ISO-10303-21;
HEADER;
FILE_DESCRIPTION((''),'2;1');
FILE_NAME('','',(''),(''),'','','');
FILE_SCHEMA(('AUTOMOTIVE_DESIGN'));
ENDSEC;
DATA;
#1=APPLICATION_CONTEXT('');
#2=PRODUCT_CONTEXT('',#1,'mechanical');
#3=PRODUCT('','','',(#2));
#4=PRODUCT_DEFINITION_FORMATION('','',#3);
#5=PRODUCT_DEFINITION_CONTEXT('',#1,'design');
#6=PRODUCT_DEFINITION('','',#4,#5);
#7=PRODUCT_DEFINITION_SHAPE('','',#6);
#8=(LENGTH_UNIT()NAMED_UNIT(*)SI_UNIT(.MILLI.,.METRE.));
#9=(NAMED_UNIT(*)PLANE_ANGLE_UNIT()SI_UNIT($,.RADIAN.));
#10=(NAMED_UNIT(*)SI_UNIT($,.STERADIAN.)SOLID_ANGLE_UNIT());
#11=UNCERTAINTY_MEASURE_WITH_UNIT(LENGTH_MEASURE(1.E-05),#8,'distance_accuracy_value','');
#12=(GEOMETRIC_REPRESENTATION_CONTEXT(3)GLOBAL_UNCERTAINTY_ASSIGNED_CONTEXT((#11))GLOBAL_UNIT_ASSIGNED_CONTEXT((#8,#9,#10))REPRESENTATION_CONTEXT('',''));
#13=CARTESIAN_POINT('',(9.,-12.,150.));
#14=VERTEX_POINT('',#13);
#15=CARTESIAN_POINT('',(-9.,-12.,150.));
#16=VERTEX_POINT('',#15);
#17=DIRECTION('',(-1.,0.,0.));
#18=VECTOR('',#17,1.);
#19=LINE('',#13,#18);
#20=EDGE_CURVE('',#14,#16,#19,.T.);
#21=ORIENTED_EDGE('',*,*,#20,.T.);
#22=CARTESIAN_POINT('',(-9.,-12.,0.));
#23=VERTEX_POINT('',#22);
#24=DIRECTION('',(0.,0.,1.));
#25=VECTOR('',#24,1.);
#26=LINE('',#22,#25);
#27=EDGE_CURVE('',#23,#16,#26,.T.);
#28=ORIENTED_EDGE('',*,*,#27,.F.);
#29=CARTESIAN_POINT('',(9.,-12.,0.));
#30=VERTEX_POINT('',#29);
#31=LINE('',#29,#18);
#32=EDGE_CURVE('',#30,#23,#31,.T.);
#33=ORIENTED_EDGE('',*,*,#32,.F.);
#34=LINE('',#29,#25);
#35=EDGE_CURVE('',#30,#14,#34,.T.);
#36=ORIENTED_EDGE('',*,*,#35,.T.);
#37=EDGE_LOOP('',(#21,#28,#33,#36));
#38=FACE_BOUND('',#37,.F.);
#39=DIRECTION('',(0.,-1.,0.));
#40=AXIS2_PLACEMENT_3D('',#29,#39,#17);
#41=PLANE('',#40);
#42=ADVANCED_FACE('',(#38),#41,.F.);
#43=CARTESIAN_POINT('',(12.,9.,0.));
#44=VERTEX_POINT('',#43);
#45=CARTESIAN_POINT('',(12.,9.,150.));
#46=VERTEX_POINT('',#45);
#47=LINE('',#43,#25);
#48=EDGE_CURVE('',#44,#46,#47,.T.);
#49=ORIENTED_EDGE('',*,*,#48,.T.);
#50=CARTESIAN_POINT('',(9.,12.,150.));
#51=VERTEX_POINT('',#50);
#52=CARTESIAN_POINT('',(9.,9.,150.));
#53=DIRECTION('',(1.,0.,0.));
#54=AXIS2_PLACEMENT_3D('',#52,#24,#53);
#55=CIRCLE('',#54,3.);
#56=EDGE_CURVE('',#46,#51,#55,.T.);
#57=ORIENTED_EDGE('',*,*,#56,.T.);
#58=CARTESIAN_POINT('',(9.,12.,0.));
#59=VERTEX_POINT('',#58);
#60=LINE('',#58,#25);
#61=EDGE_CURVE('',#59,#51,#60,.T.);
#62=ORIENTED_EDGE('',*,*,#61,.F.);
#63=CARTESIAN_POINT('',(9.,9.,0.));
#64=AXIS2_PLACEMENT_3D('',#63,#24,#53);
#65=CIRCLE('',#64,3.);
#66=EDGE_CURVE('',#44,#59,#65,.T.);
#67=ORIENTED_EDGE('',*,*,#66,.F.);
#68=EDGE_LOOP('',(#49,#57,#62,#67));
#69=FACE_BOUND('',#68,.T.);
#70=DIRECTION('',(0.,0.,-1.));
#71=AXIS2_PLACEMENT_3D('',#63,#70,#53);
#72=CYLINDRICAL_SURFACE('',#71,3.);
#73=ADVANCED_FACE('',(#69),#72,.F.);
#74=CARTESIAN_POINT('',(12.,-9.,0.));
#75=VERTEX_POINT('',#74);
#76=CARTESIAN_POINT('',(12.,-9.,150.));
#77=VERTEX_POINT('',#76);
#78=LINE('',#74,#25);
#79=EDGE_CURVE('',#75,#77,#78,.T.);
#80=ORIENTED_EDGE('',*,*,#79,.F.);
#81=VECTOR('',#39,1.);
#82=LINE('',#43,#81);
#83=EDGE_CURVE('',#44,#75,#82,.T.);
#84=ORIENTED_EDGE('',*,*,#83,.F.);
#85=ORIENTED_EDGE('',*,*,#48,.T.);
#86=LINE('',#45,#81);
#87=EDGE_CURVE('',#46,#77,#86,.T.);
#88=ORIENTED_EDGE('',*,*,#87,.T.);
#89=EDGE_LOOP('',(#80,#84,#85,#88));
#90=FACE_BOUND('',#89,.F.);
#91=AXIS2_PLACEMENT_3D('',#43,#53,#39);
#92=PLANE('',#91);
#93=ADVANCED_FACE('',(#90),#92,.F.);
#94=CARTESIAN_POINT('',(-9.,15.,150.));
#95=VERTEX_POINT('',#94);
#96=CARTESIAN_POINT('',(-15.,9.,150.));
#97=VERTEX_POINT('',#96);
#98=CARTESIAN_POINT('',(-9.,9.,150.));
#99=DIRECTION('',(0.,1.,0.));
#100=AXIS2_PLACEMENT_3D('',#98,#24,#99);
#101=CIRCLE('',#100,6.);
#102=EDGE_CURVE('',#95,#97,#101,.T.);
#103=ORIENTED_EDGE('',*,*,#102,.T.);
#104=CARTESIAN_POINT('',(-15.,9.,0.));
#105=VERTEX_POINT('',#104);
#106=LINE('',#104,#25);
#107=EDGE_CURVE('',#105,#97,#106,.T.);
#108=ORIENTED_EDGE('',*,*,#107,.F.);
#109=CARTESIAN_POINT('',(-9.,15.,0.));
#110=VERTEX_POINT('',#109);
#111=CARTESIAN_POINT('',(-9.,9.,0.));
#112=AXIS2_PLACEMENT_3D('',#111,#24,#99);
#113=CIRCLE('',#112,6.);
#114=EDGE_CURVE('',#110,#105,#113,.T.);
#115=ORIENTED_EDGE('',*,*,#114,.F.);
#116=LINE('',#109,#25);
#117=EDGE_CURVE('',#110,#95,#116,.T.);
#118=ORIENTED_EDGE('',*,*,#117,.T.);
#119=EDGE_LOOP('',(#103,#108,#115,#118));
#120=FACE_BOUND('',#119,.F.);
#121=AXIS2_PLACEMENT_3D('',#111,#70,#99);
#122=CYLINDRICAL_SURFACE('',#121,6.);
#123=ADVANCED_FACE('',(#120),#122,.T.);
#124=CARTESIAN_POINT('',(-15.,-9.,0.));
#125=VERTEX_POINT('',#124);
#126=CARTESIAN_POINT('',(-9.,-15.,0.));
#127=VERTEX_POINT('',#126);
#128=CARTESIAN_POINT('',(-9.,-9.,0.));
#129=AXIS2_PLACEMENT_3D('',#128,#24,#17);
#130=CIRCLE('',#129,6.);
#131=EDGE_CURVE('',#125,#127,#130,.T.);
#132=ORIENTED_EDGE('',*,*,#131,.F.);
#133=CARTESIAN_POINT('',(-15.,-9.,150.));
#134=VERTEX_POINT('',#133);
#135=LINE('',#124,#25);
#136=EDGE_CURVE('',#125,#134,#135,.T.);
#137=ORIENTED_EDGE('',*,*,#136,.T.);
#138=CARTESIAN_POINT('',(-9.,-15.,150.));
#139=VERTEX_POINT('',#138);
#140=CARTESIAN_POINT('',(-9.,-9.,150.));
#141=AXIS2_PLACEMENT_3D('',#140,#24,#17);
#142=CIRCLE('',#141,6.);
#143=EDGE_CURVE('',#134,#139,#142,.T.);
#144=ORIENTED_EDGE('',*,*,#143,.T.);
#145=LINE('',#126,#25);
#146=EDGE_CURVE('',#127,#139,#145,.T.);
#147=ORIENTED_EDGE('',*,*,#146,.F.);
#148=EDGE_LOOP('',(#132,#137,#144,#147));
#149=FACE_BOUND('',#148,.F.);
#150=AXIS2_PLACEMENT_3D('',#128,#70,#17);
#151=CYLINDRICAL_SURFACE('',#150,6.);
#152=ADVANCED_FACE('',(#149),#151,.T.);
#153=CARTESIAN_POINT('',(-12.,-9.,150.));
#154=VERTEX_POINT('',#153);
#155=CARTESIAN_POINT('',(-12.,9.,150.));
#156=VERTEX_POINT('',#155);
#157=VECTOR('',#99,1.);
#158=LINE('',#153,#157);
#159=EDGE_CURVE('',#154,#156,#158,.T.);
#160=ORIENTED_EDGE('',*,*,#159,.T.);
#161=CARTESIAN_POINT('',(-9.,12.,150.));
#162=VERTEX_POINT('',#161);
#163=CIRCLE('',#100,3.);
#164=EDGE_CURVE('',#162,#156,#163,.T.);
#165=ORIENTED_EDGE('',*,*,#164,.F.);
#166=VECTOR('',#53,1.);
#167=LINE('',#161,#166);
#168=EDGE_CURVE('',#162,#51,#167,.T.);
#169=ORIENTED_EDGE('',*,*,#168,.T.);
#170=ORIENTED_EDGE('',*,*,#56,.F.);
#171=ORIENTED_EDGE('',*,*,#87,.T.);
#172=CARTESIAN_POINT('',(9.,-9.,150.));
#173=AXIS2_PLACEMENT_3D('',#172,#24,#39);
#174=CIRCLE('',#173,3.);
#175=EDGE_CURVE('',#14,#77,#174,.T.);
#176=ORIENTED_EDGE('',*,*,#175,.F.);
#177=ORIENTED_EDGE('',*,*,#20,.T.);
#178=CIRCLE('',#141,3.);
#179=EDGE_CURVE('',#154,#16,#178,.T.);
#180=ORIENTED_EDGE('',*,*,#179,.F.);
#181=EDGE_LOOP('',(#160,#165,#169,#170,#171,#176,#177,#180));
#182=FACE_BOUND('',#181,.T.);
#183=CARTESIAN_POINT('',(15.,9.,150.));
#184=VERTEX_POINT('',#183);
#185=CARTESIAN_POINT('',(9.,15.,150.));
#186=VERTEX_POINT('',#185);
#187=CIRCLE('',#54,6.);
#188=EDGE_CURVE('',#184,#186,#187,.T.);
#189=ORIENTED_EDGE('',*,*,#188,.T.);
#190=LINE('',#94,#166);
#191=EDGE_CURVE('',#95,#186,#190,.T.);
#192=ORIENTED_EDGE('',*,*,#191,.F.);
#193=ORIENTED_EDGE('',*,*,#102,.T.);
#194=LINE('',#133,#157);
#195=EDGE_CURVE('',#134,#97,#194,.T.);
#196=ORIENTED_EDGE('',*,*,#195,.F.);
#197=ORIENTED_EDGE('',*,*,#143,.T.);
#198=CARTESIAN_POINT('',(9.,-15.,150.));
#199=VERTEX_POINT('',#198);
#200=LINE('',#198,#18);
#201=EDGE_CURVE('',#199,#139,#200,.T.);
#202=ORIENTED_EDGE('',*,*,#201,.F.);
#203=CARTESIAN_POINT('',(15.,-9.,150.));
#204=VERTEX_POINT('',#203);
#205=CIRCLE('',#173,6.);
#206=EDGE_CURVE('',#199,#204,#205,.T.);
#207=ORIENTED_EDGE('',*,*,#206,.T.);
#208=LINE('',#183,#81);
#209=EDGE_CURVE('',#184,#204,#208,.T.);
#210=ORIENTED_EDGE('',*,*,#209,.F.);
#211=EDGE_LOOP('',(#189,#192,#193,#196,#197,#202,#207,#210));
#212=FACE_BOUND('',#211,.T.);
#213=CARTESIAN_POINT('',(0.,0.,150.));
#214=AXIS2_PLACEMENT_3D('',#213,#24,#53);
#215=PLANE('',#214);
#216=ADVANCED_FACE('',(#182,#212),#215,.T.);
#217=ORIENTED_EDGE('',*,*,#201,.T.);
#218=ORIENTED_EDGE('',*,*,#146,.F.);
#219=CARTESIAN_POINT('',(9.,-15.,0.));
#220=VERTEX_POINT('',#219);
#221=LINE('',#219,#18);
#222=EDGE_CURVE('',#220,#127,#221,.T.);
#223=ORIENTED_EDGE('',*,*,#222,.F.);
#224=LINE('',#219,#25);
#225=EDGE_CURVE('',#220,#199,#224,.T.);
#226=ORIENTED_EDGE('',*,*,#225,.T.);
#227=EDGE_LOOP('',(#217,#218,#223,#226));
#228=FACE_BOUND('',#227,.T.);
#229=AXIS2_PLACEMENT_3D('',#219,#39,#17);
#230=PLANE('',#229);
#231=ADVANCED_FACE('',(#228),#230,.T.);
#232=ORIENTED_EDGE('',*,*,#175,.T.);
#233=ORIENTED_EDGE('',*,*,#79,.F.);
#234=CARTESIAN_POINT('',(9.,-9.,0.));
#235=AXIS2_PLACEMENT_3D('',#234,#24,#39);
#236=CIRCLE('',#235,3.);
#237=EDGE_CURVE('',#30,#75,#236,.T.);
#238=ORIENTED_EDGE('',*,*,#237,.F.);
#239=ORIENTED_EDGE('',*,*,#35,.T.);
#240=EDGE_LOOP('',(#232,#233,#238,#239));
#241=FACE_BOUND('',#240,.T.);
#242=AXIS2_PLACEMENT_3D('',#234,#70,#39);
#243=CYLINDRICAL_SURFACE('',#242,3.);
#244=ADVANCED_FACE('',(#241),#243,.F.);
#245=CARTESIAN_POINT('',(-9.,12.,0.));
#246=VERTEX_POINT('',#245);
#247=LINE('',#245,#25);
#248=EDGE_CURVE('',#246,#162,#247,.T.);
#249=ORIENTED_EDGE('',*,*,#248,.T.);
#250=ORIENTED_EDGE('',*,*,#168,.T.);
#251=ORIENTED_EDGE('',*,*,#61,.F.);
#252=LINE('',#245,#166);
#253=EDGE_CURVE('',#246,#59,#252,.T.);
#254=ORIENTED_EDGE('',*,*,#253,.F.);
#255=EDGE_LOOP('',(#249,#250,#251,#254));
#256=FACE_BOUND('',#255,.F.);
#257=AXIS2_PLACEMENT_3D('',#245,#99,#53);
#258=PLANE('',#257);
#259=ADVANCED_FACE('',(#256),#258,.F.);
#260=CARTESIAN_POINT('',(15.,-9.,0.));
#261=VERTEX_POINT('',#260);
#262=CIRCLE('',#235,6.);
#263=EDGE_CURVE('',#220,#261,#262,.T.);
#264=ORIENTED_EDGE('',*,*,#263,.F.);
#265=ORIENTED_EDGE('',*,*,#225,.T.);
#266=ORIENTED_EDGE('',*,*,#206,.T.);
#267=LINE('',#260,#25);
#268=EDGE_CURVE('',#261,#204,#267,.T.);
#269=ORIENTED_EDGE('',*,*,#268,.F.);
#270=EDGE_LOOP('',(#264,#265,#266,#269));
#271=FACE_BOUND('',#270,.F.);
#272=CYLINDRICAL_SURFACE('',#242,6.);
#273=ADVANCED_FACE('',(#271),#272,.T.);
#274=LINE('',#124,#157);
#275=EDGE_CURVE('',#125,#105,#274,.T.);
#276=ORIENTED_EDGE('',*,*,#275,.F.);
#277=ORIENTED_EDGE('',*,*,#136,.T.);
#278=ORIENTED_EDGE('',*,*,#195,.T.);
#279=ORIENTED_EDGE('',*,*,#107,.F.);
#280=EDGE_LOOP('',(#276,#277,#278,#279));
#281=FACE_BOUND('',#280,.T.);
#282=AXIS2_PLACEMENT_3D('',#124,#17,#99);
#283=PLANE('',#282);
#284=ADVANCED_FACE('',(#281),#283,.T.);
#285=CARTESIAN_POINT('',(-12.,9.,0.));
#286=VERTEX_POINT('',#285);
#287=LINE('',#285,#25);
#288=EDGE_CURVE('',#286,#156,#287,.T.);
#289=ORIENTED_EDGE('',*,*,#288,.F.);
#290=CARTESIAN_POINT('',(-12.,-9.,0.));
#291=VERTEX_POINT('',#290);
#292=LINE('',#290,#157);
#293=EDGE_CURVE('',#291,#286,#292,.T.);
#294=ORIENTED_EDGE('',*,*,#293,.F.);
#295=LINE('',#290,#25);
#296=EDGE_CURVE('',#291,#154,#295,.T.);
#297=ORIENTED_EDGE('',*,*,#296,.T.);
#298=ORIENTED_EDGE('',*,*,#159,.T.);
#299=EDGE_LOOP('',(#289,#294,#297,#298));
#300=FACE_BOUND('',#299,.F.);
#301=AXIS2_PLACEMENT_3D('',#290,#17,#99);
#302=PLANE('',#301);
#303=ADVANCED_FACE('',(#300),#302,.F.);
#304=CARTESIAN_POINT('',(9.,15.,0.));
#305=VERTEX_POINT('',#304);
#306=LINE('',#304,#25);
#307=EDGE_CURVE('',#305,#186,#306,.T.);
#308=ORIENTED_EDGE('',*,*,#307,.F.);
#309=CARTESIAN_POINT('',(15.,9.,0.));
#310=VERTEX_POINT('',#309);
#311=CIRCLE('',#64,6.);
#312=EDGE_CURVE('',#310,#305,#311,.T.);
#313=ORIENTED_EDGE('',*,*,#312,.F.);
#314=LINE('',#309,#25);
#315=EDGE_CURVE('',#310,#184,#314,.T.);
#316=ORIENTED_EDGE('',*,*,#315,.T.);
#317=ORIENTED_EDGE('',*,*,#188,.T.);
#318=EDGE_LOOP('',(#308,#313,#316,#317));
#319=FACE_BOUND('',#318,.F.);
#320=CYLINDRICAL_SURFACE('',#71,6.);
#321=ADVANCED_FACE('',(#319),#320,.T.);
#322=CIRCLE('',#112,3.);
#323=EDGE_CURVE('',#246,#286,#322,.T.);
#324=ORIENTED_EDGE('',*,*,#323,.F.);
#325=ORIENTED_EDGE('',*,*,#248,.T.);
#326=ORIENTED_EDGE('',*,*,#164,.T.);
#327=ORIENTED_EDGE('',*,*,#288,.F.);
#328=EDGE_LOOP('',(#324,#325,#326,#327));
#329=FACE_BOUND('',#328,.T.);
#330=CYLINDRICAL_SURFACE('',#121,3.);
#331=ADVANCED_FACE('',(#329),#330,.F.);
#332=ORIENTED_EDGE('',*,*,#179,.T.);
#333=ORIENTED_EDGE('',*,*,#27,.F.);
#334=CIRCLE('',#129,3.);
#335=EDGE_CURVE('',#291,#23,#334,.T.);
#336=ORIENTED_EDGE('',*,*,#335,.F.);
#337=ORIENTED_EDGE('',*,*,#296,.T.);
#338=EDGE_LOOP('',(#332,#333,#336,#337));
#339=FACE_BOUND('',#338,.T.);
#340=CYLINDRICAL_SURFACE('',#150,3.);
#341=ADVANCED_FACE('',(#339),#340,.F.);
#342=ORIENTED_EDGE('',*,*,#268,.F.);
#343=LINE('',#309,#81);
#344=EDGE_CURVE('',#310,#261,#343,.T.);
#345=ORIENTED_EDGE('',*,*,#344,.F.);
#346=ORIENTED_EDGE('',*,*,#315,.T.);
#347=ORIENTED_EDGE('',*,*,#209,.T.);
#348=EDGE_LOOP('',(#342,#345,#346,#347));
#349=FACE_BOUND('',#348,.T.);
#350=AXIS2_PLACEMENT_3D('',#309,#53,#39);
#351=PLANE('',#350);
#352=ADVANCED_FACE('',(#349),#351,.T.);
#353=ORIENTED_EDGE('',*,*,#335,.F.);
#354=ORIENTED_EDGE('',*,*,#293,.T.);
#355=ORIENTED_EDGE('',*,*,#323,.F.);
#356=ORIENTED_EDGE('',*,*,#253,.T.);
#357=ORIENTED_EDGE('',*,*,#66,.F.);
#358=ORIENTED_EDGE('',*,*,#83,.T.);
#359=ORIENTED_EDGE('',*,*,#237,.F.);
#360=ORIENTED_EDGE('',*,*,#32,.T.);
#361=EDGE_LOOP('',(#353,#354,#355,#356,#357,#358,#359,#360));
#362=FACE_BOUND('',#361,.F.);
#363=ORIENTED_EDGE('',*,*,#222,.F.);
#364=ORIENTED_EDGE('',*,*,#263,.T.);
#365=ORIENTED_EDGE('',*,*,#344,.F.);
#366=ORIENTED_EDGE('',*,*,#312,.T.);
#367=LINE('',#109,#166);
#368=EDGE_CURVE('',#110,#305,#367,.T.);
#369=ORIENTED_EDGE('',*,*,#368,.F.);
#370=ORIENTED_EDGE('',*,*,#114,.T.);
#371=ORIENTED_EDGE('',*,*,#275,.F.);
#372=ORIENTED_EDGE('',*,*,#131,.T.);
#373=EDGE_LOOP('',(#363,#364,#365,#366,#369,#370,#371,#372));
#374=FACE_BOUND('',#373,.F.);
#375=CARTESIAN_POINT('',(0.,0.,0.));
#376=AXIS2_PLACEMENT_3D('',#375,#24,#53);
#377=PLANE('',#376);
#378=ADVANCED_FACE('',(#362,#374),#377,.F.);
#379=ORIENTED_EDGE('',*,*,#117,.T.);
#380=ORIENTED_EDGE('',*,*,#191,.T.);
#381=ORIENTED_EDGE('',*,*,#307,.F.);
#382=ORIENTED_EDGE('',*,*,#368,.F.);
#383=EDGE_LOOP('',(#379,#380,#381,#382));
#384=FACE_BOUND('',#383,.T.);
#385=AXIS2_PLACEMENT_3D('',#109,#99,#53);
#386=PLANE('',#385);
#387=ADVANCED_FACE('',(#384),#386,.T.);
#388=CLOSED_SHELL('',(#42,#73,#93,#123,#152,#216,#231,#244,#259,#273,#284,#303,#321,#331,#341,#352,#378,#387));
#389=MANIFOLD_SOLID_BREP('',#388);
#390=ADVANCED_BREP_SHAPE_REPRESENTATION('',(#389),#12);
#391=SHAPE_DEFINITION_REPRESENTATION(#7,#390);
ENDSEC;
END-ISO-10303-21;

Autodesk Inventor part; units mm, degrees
ref_plane "YZ Plane" through (0, 0, 0) normal (1, 0, 0) x (0, 1, 0)
ref_plane "Plano inicial" through (0, 0, 0) normal (0, 0, 1) x (1, 0, 0)
ref_plane "Plano final" through (0, 0, 150) normal (0, 0, 1) x (1, 0, 0)
sketch "Esboço" plane through (0, 0, 0) normal (0, 0, 1) x (1, 0, 0)
  line L0 (-15, -9) -> (-15, 9)
  line L1 (-9, 15) -> (9, 15)
  line L2 (15, 9) -> (15, -9)
  line L3 (9, -15) -> (-9, -15)
  arc A0 (-15, -9) -> (-9, -15) centre (-9, -9) ccw
  arc A1 (15, 9) -> (9, 15) centre (9, 9) ccw
  arc A2 (-9, 15) -> (-15, 9) centre (-9, 9) ccw
  arc A3 (9, -15) -> (15, -9) centre (9, -9) ccw
  arc A4 (-9, 12) -> (-12, 9) centre (-9, 9) ccw
  line L4 (-9, 12) -> (9, 12)
  arc A5 (12, 9) -> (9, 12) centre (9, 9) ccw
  line L5 (12, 9) -> (12, -9)
  arc A6 (9, -12) -> (12, -9) centre (9, -9) ccw
  line L6 (9, -12) -> (-9, -12)
  arc A7 (-12, -9) -> (-9, -12) centre (-9, -9) ccw
  line L7 (-12, -9) -> (-12, 9)
  line L8 (0, 22.7397) -> (0, -22.7397) construction
  line L9 (-22.7397, 0) -> (22.7397, 0) construction
  dimension "d7" = 6
  dimension "d9" = 30
  dimension "d11" = 30
  dimension "d12" = 3
  dimension "d15" = 15
  dimension "d16" = 15
extrude "Corpo" add sketch "Esboço" along normal up to surface (150 mm away) from surface at 0
sketch "Sketch3" plane through (0, 0, 0) normal (0, 0, 1) x (1, 0, 0)
  line L0 (0, 0) -> (10, 0)
ref_plane "Work Plane3" through (0, 0, 0) normal (0, -1, 0) x (1, 0, 0)
sketch "Sketch4" plane through (0, 0, 0) normal (0, -1, 0) x (1, 0, 0)
  line L0 (-2, 0) -> (12, 0)
  line L1 (-2, 150) -> (12, 150)
  dimension "d18" = 150
equation "\"d7\" = G_IR"
equation "\"d9\" = G_W"
equation "\"d11\" = G_H"
equation "\"d12\" = G_T"
equation "\"d15\" = 0.5 * d9"
equation "\"d16\" = 0.5 * d11"
equation "\"d3\" = G_L"
equation "\"G_W\" = 30"
equation "\"G_H\" = 30"
equation "\"G_T\" = 3"
equation "\"G_IR\" = 6"
equation "\"G_L\" = d18"
equation "\"G_OFFSET_START\" = 0"
equation "\"G_OFFSET_END\" = 0"
properties part number "ISO 10799-2 - 30x30x3 - 150" material "Aço, suave"
